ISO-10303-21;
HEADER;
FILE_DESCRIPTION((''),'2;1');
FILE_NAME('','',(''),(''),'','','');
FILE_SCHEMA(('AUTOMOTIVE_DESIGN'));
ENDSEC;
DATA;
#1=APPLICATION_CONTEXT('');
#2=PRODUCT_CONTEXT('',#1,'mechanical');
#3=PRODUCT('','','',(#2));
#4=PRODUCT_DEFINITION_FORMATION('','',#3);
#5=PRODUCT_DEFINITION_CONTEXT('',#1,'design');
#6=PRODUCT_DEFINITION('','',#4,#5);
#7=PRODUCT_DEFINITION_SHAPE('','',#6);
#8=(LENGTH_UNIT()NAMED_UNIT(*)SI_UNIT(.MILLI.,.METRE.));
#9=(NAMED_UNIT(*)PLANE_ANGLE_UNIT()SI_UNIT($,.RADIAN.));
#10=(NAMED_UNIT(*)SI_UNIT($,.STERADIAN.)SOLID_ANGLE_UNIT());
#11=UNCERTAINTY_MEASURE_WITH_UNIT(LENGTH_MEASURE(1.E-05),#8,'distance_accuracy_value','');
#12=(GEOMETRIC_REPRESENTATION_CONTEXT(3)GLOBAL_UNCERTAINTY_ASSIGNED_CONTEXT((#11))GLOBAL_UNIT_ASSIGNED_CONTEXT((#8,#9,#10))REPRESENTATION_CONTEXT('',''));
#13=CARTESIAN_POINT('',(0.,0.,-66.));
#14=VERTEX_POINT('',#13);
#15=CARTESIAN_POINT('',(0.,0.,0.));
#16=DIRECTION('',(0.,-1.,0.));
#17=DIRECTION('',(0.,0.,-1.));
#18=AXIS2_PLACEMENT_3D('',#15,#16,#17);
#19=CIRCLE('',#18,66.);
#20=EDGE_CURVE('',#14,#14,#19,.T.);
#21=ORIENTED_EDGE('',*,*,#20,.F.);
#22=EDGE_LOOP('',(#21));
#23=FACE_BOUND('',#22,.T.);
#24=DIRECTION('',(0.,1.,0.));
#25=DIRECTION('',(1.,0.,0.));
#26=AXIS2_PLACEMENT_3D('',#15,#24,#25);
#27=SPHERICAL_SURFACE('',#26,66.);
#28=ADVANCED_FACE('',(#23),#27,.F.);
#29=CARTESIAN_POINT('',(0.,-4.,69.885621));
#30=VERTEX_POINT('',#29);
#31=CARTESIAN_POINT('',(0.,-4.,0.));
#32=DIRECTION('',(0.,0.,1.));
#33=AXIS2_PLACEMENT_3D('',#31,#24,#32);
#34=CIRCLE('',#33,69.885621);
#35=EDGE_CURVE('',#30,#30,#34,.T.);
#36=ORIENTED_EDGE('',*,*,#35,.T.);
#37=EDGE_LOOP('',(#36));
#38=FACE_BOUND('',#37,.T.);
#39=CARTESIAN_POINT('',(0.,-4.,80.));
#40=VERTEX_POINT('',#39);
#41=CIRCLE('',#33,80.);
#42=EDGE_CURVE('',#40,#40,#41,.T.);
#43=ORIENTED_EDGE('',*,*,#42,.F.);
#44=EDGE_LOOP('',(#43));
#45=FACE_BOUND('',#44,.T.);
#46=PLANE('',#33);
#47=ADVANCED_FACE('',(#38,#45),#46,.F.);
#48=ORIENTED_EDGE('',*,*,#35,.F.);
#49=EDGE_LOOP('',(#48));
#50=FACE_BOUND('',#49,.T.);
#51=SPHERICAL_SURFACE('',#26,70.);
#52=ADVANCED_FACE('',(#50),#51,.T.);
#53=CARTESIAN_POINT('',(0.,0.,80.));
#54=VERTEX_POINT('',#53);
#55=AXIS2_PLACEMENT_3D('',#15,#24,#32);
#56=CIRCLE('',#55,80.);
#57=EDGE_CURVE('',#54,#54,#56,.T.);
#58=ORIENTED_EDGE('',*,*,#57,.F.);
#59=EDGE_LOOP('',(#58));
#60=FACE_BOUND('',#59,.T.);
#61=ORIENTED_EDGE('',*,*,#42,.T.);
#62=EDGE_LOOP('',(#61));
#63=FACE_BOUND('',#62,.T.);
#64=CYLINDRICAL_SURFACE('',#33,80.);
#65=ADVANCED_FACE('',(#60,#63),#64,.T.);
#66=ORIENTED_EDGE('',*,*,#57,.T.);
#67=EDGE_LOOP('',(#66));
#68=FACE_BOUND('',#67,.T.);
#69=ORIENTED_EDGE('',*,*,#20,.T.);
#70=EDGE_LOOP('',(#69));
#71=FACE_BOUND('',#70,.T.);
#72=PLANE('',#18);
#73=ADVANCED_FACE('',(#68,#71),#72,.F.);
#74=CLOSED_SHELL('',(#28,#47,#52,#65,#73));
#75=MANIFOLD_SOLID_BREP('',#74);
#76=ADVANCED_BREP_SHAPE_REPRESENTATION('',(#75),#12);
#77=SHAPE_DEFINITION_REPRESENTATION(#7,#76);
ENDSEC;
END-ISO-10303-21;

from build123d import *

# Parameters (mm, degrees)
SKETCH_2_W          = 150
SKETCH_2_H          = 150
CUT_EXTRUDE_1_DEPTH = 70
SHELL_1_T           = -4
SKETCH_3_R          = 80
SKETCH_3_R_2        = 66
EXTRUDE_1_DEPTH     = 4


with BuildPart() as part:
    # 草图1 → 旋转1 (revolve)
    with BuildSketch(Plane.XY):
        with BuildLine():
            Line((0, 70), (0, -70))
            ThreePointArc((0, -70), (70, 0), (0, 70))
        make_face()
    revolve(axis=Axis((0, 70, 0), (0, -1, 0)))

    # 草图2 → 切除-拉伸1 (cut)
    with BuildSketch(Plane(origin=(0, 0, 0), x_dir=(1, 0, 0), z_dir=(0, 1, 0))):
        Rectangle(SKETCH_2_W, SKETCH_2_H)
    extrude(amount=CUT_EXTRUDE_1_DEPTH, mode=Mode.SUBTRACT)

    # 抽壳1
    shell_1_openings = [part.faces().sort_by_distance(p)[0] for p in [
        (0, 0, 0),
    ]]
    offset(amount=SHELL_1_T, openings=shell_1_openings, kind=Kind.INTERSECTION)

    # 草图3 → 凸台-拉伸1 (add)
    with BuildSketch(Plane(origin=(0, 0, 0), x_dir=(1, 0, 0), z_dir=(0, 1, 0))):
        with Locations(Location((0, 0, 0), (0, 0, 270))):
            Circle(SKETCH_3_R)
        Circle(SKETCH_3_R_2, mode=Mode.SUBTRACT)
    extrude(amount=-EXTRUDE_1_DEPTH)


solid = part.part
